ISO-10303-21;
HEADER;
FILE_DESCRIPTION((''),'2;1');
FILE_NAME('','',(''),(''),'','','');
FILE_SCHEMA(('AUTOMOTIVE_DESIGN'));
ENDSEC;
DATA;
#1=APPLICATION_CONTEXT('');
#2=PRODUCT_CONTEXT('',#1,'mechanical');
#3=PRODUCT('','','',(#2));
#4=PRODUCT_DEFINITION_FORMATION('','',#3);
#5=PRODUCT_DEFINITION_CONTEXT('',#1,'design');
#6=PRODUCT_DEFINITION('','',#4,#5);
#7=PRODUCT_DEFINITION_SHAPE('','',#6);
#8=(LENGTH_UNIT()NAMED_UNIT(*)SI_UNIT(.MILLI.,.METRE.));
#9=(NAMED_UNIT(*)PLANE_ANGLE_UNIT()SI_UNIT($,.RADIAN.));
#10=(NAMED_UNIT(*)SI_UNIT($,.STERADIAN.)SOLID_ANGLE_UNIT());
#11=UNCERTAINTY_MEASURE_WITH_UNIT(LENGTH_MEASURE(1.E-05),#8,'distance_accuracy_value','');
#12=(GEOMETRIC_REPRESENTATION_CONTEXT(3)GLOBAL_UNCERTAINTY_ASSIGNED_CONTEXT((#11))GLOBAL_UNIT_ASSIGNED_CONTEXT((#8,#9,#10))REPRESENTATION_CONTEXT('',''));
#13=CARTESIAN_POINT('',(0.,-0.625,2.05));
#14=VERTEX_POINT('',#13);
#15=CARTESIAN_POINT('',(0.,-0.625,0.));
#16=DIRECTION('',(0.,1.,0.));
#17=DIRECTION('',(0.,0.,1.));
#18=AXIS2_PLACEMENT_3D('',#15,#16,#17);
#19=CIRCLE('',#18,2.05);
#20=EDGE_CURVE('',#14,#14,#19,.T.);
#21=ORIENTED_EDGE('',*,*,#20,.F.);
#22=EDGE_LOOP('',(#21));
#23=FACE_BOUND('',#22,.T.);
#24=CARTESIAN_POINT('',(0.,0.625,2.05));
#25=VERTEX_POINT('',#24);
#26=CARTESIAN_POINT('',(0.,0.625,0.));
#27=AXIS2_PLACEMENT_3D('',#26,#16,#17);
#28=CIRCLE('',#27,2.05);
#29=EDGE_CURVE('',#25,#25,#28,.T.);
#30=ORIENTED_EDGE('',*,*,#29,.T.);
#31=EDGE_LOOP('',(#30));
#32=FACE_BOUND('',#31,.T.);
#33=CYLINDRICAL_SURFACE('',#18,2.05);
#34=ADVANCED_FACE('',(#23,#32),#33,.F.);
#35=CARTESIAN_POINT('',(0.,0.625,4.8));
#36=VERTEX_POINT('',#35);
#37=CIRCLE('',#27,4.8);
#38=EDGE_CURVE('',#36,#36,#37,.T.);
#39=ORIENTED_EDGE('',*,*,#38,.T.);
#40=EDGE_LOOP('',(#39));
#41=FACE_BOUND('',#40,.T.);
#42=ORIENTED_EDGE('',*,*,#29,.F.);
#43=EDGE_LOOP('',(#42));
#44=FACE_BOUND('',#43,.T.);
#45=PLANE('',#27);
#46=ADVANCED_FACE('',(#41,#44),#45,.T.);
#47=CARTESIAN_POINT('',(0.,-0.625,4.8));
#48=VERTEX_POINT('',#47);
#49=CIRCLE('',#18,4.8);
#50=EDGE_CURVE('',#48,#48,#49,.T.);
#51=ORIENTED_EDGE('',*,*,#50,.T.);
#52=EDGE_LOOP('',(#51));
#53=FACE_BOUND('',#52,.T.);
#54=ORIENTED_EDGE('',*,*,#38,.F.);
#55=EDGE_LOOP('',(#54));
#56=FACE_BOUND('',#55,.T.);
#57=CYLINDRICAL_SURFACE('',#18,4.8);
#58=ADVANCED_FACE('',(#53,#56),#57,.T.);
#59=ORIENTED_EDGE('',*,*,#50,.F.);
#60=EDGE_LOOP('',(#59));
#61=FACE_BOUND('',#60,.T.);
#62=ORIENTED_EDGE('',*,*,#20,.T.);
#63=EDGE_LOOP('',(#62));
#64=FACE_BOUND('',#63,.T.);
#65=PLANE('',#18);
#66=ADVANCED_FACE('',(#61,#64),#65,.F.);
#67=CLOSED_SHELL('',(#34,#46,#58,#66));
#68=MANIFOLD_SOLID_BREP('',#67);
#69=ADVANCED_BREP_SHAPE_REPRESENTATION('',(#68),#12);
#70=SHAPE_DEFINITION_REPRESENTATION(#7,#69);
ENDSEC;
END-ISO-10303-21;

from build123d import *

# Parameters (mm, degrees)
BOSS_EXTRUDE1_DEPTH      = 0.625
BOSS_EXTRUDE1_DEPTH_BACK = 0.625
SKETCH1_R                = 4.8
SKETCH1_R_2              = 2.05


with BuildPart() as part:
    # Sketch1 → Boss-Extrude1 (new, two sides: drawn at the far end of the back side and taken through both)
    with BuildSketch(Plane(origin=(0, 0, 0), x_dir=(1, 0, 0), z_dir=(0, 1, 0)).offset(-BOSS_EXTRUDE1_DEPTH_BACK)):
        Circle(SKETCH1_R)
        Circle(SKETCH1_R_2, mode=Mode.SUBTRACT)
    extrude(amount=BOSS_EXTRUDE1_DEPTH + BOSS_EXTRUDE1_DEPTH_BACK)


solid = part.part
